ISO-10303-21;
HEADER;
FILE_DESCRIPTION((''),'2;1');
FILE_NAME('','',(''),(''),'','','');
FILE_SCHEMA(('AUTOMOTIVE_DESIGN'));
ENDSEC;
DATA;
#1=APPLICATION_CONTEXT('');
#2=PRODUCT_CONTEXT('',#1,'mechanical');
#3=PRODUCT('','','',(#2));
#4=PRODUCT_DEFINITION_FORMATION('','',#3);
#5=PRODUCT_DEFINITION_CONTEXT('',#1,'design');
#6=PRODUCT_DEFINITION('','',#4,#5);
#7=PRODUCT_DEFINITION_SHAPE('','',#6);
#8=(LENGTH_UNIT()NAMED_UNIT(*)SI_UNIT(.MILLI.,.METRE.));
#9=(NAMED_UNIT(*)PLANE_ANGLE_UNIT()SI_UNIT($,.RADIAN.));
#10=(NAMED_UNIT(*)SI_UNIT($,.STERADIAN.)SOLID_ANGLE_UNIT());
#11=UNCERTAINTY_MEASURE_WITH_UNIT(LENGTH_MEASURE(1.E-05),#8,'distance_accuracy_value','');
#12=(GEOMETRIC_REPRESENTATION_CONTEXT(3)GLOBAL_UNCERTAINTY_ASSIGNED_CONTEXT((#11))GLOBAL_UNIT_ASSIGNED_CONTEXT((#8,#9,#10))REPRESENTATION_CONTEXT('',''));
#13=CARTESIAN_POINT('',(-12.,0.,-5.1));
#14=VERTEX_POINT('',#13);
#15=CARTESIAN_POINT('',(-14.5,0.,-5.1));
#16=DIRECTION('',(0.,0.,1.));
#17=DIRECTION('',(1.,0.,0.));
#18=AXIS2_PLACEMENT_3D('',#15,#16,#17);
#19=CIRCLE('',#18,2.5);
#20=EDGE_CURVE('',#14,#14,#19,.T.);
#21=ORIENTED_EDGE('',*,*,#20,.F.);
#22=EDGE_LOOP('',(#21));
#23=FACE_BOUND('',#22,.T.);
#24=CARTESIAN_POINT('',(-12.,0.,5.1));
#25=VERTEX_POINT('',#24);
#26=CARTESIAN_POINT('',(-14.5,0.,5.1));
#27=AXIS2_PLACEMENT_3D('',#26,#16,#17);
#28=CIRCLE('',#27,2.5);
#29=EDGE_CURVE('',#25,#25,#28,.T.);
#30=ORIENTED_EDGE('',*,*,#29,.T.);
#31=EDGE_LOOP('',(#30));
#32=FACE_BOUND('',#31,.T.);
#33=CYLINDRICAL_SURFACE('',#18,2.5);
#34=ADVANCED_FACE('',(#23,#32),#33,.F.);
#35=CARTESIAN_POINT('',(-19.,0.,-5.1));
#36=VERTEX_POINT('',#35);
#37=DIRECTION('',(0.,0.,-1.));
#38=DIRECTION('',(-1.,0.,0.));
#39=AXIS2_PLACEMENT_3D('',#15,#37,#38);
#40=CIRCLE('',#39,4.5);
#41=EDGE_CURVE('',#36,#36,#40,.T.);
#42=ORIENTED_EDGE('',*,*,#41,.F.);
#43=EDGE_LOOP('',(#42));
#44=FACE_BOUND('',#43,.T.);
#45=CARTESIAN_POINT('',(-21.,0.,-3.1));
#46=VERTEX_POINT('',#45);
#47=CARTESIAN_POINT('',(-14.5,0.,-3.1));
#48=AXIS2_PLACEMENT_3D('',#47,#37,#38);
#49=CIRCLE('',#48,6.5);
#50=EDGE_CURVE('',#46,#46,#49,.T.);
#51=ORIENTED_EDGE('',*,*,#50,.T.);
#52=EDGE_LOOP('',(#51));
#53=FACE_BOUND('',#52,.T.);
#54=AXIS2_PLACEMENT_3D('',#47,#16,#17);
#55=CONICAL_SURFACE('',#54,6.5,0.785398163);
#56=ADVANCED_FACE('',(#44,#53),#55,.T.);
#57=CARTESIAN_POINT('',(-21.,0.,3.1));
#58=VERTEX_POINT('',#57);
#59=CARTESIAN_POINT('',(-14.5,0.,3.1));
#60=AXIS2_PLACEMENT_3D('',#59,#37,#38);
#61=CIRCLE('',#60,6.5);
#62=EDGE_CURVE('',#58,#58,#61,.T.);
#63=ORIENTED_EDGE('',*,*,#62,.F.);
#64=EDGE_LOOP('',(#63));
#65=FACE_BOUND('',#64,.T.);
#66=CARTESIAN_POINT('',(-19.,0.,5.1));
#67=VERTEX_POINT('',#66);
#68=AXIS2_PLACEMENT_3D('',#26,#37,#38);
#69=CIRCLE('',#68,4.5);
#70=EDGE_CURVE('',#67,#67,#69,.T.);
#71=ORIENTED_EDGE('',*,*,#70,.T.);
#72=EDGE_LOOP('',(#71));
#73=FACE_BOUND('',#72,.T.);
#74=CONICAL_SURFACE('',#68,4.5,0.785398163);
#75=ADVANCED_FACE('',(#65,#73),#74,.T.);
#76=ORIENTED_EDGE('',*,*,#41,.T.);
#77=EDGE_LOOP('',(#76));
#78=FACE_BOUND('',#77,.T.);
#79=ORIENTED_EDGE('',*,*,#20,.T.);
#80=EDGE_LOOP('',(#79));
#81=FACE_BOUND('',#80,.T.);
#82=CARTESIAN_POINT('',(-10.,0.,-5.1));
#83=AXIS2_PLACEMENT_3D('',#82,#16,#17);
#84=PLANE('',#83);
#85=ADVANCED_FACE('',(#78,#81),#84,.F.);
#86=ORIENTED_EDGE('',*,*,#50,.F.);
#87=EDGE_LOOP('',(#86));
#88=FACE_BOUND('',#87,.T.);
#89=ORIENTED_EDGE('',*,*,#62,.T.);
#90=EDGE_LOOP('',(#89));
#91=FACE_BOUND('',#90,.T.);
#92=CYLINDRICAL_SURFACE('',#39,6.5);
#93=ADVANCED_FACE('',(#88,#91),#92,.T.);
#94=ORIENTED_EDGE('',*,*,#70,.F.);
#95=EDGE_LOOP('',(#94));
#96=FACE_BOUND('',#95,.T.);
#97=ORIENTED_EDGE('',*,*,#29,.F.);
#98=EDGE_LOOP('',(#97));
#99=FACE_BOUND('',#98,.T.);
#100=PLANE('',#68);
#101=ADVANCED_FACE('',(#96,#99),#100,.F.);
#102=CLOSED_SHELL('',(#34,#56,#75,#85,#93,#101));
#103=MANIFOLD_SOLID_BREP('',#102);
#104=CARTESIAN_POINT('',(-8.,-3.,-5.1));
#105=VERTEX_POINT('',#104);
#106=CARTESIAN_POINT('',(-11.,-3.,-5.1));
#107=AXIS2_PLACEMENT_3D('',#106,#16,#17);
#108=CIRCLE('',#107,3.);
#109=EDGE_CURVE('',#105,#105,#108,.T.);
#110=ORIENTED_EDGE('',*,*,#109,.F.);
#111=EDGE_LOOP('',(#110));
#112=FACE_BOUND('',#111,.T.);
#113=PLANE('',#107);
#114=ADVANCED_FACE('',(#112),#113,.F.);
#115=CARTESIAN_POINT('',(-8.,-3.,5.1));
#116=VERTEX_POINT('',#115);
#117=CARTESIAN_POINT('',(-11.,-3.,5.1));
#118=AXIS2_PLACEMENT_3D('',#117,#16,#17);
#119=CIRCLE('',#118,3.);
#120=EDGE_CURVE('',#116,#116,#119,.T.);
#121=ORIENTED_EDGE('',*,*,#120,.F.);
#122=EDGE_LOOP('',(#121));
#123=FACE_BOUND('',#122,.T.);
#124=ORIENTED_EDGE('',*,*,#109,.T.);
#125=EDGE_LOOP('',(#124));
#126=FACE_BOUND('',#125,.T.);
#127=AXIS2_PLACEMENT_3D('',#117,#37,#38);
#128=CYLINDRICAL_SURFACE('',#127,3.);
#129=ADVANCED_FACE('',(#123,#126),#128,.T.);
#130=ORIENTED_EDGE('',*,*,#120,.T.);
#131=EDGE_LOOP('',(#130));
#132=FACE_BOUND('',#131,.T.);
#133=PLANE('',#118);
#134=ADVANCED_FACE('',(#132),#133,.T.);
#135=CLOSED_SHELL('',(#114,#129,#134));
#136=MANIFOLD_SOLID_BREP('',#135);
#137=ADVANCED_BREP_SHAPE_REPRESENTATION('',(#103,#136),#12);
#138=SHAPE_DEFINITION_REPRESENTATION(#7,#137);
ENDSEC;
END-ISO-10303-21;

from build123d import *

# Parameters (mm, degrees)
BOSS_EXTRUDE1_DEPTH      = 5.1
BOSS_EXTRUDE1_DEPTH_BACK = 5.1
SKETCH3_R                = 3
CUT_EXTRUDE1_DEPTH       = 23.566789758
CUT_EXTRUDE1_DEPTH_BACK  = 23.566789758
SKETCH7_R                = 2.5


with BuildPart() as part:
    # Sketch3 → Boss-Extrude1 (new, two sides: drawn at the far end of the back side and taken through both)
    with BuildSketch(Plane.XY.offset(-BOSS_EXTRUDE1_DEPTH_BACK)):
        with Locations((-11, -3)):
            Circle(SKETCH3_R)
    extrude(amount=BOSS_EXTRUDE1_DEPTH + BOSS_EXTRUDE1_DEPTH_BACK)


with BuildPart() as body_2:
    # Sketch1 → Revolve1 (revolve)
    with BuildSketch(Plane(origin=(0, 0, 0), x_dir=(1, 0, 0), z_dir=(0, 1, 0)), mode=Mode.PRIVATE) as revolve1_sk:
        Polygon((-8, -3.1), (-10, -5.1), (-14.5, -5.1), (-14.5, 5.1), (-10, 5.1), (-8, 3.1), align=None)
    revolve(revolve1_sk.sketch.rotate(Axis((-14.5, 0, -5.1), (0, 0, 1)), 180), axis=Axis((-14.5, 0, -5.1), (0, 0, 1)))

    # Sketch7 → Cut-Extrude1 (cut, two sides: drawn at the far end of the back side and taken through both)
    with BuildSketch(Plane.XY.offset(-CUT_EXTRUDE1_DEPTH_BACK)):
        with Locations((-14.5, 0)):
            Circle(SKETCH7_R)
    extrude(amount=CUT_EXTRUDE1_DEPTH + CUT_EXTRUDE1_DEPTH_BACK, mode=Mode.SUBTRACT)


solid = Compound([part.part, body_2.part])
